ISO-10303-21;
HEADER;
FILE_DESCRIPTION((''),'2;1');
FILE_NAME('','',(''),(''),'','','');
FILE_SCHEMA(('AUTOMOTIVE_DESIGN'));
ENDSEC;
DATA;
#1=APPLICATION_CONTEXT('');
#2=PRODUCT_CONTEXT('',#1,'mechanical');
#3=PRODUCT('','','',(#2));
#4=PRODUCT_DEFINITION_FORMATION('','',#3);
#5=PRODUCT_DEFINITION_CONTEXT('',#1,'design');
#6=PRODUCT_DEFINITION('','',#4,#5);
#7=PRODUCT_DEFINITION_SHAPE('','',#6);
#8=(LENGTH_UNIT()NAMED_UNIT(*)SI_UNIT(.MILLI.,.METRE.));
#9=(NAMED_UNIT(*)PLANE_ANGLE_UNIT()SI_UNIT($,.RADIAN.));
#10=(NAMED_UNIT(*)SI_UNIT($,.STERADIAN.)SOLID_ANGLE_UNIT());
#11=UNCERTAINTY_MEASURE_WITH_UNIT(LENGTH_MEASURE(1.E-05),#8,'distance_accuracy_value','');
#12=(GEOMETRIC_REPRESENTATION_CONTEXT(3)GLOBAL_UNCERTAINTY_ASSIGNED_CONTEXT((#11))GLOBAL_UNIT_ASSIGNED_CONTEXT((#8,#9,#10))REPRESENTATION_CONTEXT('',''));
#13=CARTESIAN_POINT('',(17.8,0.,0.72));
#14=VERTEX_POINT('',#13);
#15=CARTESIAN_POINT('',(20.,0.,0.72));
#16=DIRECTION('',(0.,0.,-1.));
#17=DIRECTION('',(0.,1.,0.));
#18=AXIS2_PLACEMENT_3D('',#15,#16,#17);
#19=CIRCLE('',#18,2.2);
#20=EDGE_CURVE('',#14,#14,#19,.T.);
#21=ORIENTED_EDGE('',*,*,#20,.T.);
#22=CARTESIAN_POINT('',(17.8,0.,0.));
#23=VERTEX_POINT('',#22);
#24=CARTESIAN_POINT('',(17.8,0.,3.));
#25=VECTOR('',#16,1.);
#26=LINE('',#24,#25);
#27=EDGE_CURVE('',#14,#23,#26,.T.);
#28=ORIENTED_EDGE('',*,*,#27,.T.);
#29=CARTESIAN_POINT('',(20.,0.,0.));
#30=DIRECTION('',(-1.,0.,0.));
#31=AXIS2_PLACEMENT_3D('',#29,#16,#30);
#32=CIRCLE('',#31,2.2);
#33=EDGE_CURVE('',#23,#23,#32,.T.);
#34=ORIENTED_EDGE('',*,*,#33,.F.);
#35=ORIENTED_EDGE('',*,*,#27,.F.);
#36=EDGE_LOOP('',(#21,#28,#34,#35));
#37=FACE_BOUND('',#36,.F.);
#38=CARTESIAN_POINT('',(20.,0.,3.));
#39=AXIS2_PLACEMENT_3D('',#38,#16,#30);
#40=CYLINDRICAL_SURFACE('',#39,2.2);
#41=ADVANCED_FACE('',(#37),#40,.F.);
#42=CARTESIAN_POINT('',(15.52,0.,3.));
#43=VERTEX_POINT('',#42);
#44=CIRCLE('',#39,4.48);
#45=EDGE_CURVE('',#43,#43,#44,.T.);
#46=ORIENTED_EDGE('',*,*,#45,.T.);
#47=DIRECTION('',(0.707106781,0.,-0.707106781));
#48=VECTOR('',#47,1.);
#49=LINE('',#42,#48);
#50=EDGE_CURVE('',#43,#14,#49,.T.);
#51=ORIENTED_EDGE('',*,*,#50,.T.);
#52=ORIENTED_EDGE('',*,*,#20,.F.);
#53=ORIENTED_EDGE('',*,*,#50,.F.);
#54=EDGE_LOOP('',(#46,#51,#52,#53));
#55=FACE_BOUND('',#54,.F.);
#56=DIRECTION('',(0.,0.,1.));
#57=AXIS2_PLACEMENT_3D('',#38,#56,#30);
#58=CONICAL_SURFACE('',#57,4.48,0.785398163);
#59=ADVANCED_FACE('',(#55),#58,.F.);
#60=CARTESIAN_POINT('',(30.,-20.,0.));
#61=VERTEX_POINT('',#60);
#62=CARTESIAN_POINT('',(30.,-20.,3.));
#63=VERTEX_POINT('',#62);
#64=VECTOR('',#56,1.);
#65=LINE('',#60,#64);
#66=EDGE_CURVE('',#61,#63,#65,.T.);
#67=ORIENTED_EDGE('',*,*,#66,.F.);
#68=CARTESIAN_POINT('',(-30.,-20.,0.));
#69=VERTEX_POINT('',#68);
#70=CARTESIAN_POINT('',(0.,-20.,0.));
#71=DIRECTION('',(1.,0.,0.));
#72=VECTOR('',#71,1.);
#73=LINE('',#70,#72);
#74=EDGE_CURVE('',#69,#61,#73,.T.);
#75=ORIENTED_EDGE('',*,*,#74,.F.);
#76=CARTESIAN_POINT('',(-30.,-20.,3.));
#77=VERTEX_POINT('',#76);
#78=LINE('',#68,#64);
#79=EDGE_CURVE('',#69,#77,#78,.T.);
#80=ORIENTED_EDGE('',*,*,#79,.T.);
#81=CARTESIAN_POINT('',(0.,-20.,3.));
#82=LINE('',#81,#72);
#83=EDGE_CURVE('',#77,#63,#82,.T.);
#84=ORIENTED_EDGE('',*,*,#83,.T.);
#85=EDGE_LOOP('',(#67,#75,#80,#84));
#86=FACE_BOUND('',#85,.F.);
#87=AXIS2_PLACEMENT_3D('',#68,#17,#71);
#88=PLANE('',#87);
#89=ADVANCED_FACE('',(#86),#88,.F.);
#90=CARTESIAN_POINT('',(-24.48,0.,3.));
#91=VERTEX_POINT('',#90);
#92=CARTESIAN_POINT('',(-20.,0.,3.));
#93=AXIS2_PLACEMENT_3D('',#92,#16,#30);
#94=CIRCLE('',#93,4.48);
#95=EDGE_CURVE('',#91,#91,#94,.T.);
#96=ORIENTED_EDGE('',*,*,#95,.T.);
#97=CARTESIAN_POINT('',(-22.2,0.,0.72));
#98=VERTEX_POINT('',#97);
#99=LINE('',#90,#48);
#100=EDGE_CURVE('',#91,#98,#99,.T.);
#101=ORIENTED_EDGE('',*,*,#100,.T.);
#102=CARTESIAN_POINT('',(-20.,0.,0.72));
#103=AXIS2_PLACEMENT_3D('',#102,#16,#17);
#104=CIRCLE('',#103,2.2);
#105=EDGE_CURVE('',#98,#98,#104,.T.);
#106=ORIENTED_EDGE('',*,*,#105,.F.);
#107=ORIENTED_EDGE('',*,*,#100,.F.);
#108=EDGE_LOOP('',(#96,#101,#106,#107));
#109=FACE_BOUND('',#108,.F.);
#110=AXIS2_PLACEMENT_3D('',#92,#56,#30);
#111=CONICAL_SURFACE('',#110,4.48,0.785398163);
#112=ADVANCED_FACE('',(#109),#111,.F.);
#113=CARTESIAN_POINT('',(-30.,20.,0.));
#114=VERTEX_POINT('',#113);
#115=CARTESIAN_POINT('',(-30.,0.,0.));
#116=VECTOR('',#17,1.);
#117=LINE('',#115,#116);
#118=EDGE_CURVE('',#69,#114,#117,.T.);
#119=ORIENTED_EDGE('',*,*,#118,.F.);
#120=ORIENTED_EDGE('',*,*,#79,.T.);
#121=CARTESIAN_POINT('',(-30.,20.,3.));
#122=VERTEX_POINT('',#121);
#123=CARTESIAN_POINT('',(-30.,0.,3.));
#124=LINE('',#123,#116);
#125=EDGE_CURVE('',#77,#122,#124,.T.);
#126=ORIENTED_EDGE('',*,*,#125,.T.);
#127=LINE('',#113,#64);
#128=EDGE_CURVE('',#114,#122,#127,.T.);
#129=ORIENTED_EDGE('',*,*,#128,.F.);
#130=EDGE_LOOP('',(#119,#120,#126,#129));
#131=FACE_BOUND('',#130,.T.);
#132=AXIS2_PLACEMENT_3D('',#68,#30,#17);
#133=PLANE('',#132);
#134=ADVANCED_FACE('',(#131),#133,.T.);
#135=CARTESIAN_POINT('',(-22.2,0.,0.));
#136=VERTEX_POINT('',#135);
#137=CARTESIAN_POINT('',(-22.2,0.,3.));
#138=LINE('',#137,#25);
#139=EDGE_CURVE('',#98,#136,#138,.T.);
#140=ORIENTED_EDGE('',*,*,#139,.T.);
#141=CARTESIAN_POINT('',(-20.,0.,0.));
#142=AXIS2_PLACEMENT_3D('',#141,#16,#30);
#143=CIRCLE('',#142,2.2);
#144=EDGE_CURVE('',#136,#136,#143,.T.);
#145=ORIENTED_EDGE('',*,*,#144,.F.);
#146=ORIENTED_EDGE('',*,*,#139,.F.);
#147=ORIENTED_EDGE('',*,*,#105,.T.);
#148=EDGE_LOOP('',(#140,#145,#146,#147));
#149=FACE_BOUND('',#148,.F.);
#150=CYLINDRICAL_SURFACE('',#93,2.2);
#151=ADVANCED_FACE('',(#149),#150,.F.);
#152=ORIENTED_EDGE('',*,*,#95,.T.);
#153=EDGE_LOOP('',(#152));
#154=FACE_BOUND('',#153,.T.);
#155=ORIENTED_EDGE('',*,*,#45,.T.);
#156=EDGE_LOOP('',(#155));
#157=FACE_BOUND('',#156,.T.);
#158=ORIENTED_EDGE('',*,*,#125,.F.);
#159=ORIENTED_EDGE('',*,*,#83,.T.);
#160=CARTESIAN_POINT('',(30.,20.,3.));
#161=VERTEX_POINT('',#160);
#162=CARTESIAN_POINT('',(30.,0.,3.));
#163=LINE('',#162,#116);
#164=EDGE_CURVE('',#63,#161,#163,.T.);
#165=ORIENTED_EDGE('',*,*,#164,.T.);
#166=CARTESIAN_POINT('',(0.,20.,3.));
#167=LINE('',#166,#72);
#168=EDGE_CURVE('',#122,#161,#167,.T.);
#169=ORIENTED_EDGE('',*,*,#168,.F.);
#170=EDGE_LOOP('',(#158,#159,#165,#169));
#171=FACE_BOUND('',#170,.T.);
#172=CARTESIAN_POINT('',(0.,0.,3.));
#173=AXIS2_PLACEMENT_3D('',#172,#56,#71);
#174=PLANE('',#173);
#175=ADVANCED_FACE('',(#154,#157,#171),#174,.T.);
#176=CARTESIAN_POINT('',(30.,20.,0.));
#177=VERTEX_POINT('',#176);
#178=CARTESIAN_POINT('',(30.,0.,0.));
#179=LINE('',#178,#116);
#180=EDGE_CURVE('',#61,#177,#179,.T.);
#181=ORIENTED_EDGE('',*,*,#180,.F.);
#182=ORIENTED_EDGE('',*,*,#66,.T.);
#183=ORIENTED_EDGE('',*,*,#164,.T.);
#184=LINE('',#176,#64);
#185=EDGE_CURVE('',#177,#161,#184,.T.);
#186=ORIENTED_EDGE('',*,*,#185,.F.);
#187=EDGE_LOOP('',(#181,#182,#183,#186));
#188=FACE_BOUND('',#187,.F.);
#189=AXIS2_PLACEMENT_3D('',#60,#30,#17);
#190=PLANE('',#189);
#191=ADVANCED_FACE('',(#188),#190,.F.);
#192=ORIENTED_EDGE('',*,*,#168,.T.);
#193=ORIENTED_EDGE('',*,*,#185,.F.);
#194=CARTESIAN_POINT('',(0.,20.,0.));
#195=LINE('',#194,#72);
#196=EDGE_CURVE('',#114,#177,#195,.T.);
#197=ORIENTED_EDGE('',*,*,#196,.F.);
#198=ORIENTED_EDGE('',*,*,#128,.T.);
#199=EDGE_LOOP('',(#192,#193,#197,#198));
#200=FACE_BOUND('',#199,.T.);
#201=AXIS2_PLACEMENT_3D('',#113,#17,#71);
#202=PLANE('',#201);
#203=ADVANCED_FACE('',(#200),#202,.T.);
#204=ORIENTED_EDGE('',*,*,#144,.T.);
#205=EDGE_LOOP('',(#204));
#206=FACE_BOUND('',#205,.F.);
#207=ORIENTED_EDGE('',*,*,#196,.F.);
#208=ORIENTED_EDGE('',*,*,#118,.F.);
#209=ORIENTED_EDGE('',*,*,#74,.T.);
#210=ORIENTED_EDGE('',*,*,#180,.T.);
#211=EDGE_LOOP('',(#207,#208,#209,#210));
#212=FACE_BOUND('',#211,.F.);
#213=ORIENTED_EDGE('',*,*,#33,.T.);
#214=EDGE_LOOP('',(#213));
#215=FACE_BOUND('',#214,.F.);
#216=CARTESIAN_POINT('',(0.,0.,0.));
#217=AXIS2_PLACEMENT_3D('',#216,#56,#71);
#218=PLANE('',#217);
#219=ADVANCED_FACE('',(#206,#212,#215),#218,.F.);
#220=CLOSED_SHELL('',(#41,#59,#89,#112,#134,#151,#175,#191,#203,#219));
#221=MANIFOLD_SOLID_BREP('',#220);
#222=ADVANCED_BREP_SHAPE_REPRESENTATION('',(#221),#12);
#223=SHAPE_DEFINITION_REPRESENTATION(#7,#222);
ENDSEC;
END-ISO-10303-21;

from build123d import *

# Parameters (mm, degrees)
F0_W           = 60
F0_H           = 40
F1_DEPTH       = 3
F3_D           = 4.4
F3_CSINK_D     = 8.96
F3_CSINK_ANGLE = 90


with BuildPart() as f1:
    # F0 (on Top) → F1 (new body)
    with BuildSketch(Plane.XY):
        Rectangle(F0_W, F0_H)
    extrude(amount=F1_DEPTH)

    # F3 (through all)
    with Locations(Plane.XY.offset(3)):
        with Locations((-20, 0), (20, 0)):
            CounterSinkHole(F3_D / 2, F3_CSINK_D / 2, counter_sink_angle=F3_CSINK_ANGLE)


solid = f1.part
